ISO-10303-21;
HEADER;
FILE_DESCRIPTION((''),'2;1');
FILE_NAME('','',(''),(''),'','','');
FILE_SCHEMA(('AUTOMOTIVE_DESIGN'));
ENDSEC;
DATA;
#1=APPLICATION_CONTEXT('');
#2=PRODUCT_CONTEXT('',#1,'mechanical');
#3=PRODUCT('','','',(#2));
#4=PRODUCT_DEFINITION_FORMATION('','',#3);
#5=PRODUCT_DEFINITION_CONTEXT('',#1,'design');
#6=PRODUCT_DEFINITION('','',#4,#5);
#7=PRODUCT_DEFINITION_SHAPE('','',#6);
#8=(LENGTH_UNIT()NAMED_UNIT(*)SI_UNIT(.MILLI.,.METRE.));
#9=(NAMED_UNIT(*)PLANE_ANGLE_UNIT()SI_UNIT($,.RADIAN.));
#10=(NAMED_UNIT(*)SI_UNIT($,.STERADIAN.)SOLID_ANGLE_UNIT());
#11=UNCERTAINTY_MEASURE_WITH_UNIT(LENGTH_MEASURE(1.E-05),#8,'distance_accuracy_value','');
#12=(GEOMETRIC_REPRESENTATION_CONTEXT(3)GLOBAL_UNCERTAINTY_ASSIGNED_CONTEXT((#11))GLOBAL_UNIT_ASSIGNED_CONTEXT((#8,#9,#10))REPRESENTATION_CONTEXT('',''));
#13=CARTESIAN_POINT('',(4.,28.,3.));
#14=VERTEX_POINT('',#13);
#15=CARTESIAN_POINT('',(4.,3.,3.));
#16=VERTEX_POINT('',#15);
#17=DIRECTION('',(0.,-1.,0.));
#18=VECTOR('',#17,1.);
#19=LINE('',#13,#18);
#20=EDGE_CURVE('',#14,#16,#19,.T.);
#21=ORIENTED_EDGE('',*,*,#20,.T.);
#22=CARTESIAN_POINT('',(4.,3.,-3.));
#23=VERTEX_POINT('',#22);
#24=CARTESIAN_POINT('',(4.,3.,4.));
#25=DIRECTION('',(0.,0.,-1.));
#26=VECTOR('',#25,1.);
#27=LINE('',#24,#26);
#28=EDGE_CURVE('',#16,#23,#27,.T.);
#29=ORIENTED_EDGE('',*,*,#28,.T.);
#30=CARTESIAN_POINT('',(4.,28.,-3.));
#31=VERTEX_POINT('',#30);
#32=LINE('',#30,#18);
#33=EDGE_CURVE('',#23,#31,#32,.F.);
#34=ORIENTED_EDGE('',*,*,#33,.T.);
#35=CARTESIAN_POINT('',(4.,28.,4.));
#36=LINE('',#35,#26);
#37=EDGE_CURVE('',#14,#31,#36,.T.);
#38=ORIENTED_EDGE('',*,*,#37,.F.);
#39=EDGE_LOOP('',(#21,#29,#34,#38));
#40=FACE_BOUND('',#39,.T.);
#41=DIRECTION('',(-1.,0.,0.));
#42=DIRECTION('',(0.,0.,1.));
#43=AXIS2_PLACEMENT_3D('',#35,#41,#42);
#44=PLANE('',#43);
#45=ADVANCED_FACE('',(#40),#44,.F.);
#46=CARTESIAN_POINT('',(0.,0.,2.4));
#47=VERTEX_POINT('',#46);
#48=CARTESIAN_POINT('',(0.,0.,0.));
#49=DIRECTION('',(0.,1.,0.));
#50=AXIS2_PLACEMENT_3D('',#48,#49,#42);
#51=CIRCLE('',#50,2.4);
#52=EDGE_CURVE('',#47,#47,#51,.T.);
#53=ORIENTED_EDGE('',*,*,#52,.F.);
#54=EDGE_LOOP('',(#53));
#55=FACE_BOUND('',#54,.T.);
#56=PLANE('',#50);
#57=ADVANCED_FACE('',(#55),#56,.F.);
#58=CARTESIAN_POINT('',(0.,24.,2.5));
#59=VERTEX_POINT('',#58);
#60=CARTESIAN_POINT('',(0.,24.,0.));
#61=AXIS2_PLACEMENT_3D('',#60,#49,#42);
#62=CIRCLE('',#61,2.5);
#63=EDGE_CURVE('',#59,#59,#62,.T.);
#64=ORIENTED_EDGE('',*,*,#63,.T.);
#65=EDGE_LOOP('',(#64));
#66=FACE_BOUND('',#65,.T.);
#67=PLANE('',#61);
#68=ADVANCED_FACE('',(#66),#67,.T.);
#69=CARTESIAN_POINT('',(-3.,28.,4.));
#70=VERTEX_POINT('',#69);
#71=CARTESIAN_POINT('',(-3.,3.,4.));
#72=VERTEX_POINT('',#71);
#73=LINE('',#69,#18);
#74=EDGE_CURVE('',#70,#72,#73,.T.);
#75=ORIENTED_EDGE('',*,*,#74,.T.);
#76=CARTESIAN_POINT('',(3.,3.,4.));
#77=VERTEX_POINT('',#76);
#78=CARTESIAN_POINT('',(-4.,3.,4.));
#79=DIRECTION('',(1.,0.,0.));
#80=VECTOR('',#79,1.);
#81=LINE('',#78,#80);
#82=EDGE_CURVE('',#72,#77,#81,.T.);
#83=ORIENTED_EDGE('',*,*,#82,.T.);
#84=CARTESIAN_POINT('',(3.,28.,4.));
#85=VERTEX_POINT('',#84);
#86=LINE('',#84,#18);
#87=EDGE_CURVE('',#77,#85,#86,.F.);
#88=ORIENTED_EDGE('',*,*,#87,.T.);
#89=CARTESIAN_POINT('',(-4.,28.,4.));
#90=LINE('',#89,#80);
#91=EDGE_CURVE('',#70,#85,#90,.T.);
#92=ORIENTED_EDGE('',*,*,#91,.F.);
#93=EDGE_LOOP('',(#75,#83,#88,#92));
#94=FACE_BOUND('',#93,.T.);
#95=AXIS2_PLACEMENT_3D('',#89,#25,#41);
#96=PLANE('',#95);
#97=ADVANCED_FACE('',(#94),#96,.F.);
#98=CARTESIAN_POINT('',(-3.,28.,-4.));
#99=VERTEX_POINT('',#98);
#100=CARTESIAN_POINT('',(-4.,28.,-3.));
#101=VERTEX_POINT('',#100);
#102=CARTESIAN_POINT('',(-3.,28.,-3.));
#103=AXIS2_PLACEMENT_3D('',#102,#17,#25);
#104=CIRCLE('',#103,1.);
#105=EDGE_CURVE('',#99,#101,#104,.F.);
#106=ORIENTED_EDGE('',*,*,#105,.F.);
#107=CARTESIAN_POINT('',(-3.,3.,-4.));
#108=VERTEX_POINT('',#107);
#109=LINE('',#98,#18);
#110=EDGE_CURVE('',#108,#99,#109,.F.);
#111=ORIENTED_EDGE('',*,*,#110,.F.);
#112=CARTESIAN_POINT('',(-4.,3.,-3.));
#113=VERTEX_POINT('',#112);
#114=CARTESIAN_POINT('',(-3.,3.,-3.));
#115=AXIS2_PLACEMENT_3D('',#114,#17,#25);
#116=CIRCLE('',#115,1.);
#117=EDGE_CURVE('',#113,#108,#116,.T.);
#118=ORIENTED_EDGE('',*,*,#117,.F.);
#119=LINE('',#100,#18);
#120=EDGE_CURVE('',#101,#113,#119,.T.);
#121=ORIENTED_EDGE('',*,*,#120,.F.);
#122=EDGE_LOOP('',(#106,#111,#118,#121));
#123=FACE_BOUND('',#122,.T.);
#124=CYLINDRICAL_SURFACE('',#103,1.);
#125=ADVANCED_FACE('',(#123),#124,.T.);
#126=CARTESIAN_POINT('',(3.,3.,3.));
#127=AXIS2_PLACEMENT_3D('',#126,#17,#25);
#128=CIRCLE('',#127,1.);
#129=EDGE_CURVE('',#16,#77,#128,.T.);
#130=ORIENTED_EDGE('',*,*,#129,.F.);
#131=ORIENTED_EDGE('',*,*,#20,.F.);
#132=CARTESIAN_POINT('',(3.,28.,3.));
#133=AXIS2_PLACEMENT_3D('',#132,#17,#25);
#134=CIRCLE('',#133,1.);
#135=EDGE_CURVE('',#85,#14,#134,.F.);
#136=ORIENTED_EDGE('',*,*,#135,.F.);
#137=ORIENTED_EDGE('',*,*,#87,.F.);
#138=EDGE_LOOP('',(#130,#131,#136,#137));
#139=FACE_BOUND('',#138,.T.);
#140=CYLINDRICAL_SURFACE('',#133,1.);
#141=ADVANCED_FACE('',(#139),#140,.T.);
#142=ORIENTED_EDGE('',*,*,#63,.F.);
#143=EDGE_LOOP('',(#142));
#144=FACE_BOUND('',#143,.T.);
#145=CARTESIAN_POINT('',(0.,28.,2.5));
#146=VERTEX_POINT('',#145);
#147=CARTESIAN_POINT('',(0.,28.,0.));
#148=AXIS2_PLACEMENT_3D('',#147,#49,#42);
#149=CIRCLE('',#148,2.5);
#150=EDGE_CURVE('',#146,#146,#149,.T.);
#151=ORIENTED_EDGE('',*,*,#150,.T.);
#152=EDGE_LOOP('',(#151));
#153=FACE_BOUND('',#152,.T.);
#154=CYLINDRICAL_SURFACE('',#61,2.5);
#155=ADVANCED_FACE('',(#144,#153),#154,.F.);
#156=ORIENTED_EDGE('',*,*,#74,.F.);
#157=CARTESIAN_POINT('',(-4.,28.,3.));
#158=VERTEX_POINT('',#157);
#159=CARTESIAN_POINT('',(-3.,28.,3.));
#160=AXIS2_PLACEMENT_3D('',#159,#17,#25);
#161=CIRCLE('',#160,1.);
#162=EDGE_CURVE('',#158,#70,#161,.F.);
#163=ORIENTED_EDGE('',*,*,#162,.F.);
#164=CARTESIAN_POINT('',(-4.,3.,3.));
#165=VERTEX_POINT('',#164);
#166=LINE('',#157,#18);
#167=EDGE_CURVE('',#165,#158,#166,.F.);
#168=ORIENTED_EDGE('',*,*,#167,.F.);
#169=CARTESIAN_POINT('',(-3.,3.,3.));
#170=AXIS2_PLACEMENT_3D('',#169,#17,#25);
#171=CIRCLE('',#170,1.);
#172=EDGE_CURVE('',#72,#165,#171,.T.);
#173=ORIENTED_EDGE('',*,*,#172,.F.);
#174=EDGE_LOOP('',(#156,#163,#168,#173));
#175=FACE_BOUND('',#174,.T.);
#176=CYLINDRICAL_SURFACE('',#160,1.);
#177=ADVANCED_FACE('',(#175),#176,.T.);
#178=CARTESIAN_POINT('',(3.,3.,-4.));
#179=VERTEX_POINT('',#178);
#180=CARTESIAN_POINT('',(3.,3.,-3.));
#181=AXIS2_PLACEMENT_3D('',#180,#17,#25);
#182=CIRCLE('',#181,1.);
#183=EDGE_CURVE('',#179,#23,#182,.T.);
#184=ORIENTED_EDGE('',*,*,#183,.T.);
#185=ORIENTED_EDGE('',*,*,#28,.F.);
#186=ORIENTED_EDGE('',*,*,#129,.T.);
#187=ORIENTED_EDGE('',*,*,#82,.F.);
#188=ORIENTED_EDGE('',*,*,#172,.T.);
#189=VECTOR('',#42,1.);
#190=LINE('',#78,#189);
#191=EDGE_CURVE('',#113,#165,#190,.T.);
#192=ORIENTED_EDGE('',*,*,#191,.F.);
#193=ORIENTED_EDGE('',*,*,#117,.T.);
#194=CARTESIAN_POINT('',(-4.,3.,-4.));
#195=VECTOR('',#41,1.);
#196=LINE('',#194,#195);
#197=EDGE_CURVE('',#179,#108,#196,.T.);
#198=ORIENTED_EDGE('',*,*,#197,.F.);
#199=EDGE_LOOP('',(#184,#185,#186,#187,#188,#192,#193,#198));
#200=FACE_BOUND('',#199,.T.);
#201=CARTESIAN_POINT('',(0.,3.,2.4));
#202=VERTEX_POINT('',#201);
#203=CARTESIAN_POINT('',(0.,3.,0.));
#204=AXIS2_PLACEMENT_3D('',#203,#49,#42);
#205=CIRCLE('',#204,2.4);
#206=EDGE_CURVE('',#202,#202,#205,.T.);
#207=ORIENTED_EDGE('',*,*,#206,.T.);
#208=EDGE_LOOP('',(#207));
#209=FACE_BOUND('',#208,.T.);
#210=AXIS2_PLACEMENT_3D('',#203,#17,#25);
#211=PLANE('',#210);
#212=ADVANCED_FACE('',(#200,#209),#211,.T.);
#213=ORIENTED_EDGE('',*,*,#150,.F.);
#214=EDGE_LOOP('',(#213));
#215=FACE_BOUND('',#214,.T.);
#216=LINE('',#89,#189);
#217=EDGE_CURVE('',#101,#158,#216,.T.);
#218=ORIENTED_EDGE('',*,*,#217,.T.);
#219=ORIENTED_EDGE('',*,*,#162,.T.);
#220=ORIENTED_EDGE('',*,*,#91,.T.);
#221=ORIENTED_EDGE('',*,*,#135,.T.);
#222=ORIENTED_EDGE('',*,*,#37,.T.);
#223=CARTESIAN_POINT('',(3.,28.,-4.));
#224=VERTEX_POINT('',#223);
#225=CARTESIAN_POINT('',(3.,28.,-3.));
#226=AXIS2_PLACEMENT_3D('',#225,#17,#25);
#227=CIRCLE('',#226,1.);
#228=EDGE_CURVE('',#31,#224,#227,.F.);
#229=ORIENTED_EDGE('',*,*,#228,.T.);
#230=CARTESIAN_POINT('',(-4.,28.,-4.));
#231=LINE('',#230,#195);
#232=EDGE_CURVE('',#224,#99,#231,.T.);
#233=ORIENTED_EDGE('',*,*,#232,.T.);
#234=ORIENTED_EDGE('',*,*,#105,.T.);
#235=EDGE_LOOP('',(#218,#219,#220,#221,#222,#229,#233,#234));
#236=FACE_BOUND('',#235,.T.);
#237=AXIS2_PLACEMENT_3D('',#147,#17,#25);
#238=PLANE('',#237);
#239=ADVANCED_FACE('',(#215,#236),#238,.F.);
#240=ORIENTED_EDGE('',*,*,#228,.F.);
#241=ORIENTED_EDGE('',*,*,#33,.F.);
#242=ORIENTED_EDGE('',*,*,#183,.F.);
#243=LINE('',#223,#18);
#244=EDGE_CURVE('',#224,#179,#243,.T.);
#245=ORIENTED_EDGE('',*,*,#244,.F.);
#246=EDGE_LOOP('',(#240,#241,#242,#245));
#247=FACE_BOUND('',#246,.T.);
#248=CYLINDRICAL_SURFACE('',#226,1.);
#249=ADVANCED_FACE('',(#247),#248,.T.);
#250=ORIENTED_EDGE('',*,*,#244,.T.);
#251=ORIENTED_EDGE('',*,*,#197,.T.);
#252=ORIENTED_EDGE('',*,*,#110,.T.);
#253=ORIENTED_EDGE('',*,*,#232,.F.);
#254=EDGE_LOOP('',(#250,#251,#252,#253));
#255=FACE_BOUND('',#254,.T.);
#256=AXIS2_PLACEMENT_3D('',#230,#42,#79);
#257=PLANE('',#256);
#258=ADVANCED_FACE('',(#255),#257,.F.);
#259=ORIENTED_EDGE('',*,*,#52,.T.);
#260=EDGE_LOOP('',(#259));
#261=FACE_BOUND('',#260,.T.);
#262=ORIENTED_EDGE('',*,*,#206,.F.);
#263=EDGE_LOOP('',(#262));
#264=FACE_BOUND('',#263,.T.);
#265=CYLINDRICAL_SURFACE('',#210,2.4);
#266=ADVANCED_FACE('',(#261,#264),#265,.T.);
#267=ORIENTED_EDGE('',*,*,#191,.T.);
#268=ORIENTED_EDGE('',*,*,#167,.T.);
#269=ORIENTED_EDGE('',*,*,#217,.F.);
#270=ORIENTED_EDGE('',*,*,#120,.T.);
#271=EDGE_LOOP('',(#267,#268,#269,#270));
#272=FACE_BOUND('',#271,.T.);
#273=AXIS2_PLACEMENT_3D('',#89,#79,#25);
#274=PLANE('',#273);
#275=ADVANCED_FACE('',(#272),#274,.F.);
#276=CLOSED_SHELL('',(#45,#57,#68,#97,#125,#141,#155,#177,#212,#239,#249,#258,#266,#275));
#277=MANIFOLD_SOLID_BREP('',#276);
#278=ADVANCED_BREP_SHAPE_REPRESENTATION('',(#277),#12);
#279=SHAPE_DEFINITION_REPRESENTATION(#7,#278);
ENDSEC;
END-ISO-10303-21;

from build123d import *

# Parameters (mm, degrees)
SKETCH1_R           = 2.4
BOSS_EXTRUDE1_DEPTH = 3
SKETCH2_W           = 8
SKETCH2_H           = 8
BOSS_EXTRUDE2_DEPTH = 25
SKETCH3_R           = 2.5
CUT_EXTRUDE1_DEPTH  = 4
FILLET1_R           = 1


with BuildPart() as part:
    # Sketch1 → Boss-Extrude1 (new body)
    with BuildSketch(Plane(origin=(0, 0, 0), x_dir=(1, 0, 0), z_dir=(0, 1, 0))):
        with Locations(Location((0, 0, 0), (0, 0, 270))):
            Circle(SKETCH1_R)
    extrude(amount=BOSS_EXTRUDE1_DEPTH)

    # Sketch2 → Boss-Extrude2 (add)
    with BuildSketch(Plane(origin=(0, 3, 0), x_dir=(1, 0, 0), z_dir=(0, 1, 0))):
        Rectangle(SKETCH2_W, SKETCH2_H)
    extrude(amount=BOSS_EXTRUDE2_DEPTH)

    # Sketch3 → Cut-Extrude1 (cut)
    with BuildSketch(Plane(origin=(0, 28, 0), x_dir=(1, 0, 0), z_dir=(0, 1, 0))):
        with Locations(Location((0, 0, 0), (0, 0, 270))):
            Circle(SKETCH3_R)
    extrude(amount=-CUT_EXTRUDE1_DEPTH, mode=Mode.SUBTRACT)

    # Fillet1
    fillet1_edges = [part.edges().sort_by_distance(p)[0] for p in [
        (4, 15.5, 4),
        (4, 15.5, -4),
        (-4, 15.5, -4),
        (-4, 15.5, 4),
    ]]
    fillet(fillet1_edges, radius=FILLET1_R)


solid = part.part
